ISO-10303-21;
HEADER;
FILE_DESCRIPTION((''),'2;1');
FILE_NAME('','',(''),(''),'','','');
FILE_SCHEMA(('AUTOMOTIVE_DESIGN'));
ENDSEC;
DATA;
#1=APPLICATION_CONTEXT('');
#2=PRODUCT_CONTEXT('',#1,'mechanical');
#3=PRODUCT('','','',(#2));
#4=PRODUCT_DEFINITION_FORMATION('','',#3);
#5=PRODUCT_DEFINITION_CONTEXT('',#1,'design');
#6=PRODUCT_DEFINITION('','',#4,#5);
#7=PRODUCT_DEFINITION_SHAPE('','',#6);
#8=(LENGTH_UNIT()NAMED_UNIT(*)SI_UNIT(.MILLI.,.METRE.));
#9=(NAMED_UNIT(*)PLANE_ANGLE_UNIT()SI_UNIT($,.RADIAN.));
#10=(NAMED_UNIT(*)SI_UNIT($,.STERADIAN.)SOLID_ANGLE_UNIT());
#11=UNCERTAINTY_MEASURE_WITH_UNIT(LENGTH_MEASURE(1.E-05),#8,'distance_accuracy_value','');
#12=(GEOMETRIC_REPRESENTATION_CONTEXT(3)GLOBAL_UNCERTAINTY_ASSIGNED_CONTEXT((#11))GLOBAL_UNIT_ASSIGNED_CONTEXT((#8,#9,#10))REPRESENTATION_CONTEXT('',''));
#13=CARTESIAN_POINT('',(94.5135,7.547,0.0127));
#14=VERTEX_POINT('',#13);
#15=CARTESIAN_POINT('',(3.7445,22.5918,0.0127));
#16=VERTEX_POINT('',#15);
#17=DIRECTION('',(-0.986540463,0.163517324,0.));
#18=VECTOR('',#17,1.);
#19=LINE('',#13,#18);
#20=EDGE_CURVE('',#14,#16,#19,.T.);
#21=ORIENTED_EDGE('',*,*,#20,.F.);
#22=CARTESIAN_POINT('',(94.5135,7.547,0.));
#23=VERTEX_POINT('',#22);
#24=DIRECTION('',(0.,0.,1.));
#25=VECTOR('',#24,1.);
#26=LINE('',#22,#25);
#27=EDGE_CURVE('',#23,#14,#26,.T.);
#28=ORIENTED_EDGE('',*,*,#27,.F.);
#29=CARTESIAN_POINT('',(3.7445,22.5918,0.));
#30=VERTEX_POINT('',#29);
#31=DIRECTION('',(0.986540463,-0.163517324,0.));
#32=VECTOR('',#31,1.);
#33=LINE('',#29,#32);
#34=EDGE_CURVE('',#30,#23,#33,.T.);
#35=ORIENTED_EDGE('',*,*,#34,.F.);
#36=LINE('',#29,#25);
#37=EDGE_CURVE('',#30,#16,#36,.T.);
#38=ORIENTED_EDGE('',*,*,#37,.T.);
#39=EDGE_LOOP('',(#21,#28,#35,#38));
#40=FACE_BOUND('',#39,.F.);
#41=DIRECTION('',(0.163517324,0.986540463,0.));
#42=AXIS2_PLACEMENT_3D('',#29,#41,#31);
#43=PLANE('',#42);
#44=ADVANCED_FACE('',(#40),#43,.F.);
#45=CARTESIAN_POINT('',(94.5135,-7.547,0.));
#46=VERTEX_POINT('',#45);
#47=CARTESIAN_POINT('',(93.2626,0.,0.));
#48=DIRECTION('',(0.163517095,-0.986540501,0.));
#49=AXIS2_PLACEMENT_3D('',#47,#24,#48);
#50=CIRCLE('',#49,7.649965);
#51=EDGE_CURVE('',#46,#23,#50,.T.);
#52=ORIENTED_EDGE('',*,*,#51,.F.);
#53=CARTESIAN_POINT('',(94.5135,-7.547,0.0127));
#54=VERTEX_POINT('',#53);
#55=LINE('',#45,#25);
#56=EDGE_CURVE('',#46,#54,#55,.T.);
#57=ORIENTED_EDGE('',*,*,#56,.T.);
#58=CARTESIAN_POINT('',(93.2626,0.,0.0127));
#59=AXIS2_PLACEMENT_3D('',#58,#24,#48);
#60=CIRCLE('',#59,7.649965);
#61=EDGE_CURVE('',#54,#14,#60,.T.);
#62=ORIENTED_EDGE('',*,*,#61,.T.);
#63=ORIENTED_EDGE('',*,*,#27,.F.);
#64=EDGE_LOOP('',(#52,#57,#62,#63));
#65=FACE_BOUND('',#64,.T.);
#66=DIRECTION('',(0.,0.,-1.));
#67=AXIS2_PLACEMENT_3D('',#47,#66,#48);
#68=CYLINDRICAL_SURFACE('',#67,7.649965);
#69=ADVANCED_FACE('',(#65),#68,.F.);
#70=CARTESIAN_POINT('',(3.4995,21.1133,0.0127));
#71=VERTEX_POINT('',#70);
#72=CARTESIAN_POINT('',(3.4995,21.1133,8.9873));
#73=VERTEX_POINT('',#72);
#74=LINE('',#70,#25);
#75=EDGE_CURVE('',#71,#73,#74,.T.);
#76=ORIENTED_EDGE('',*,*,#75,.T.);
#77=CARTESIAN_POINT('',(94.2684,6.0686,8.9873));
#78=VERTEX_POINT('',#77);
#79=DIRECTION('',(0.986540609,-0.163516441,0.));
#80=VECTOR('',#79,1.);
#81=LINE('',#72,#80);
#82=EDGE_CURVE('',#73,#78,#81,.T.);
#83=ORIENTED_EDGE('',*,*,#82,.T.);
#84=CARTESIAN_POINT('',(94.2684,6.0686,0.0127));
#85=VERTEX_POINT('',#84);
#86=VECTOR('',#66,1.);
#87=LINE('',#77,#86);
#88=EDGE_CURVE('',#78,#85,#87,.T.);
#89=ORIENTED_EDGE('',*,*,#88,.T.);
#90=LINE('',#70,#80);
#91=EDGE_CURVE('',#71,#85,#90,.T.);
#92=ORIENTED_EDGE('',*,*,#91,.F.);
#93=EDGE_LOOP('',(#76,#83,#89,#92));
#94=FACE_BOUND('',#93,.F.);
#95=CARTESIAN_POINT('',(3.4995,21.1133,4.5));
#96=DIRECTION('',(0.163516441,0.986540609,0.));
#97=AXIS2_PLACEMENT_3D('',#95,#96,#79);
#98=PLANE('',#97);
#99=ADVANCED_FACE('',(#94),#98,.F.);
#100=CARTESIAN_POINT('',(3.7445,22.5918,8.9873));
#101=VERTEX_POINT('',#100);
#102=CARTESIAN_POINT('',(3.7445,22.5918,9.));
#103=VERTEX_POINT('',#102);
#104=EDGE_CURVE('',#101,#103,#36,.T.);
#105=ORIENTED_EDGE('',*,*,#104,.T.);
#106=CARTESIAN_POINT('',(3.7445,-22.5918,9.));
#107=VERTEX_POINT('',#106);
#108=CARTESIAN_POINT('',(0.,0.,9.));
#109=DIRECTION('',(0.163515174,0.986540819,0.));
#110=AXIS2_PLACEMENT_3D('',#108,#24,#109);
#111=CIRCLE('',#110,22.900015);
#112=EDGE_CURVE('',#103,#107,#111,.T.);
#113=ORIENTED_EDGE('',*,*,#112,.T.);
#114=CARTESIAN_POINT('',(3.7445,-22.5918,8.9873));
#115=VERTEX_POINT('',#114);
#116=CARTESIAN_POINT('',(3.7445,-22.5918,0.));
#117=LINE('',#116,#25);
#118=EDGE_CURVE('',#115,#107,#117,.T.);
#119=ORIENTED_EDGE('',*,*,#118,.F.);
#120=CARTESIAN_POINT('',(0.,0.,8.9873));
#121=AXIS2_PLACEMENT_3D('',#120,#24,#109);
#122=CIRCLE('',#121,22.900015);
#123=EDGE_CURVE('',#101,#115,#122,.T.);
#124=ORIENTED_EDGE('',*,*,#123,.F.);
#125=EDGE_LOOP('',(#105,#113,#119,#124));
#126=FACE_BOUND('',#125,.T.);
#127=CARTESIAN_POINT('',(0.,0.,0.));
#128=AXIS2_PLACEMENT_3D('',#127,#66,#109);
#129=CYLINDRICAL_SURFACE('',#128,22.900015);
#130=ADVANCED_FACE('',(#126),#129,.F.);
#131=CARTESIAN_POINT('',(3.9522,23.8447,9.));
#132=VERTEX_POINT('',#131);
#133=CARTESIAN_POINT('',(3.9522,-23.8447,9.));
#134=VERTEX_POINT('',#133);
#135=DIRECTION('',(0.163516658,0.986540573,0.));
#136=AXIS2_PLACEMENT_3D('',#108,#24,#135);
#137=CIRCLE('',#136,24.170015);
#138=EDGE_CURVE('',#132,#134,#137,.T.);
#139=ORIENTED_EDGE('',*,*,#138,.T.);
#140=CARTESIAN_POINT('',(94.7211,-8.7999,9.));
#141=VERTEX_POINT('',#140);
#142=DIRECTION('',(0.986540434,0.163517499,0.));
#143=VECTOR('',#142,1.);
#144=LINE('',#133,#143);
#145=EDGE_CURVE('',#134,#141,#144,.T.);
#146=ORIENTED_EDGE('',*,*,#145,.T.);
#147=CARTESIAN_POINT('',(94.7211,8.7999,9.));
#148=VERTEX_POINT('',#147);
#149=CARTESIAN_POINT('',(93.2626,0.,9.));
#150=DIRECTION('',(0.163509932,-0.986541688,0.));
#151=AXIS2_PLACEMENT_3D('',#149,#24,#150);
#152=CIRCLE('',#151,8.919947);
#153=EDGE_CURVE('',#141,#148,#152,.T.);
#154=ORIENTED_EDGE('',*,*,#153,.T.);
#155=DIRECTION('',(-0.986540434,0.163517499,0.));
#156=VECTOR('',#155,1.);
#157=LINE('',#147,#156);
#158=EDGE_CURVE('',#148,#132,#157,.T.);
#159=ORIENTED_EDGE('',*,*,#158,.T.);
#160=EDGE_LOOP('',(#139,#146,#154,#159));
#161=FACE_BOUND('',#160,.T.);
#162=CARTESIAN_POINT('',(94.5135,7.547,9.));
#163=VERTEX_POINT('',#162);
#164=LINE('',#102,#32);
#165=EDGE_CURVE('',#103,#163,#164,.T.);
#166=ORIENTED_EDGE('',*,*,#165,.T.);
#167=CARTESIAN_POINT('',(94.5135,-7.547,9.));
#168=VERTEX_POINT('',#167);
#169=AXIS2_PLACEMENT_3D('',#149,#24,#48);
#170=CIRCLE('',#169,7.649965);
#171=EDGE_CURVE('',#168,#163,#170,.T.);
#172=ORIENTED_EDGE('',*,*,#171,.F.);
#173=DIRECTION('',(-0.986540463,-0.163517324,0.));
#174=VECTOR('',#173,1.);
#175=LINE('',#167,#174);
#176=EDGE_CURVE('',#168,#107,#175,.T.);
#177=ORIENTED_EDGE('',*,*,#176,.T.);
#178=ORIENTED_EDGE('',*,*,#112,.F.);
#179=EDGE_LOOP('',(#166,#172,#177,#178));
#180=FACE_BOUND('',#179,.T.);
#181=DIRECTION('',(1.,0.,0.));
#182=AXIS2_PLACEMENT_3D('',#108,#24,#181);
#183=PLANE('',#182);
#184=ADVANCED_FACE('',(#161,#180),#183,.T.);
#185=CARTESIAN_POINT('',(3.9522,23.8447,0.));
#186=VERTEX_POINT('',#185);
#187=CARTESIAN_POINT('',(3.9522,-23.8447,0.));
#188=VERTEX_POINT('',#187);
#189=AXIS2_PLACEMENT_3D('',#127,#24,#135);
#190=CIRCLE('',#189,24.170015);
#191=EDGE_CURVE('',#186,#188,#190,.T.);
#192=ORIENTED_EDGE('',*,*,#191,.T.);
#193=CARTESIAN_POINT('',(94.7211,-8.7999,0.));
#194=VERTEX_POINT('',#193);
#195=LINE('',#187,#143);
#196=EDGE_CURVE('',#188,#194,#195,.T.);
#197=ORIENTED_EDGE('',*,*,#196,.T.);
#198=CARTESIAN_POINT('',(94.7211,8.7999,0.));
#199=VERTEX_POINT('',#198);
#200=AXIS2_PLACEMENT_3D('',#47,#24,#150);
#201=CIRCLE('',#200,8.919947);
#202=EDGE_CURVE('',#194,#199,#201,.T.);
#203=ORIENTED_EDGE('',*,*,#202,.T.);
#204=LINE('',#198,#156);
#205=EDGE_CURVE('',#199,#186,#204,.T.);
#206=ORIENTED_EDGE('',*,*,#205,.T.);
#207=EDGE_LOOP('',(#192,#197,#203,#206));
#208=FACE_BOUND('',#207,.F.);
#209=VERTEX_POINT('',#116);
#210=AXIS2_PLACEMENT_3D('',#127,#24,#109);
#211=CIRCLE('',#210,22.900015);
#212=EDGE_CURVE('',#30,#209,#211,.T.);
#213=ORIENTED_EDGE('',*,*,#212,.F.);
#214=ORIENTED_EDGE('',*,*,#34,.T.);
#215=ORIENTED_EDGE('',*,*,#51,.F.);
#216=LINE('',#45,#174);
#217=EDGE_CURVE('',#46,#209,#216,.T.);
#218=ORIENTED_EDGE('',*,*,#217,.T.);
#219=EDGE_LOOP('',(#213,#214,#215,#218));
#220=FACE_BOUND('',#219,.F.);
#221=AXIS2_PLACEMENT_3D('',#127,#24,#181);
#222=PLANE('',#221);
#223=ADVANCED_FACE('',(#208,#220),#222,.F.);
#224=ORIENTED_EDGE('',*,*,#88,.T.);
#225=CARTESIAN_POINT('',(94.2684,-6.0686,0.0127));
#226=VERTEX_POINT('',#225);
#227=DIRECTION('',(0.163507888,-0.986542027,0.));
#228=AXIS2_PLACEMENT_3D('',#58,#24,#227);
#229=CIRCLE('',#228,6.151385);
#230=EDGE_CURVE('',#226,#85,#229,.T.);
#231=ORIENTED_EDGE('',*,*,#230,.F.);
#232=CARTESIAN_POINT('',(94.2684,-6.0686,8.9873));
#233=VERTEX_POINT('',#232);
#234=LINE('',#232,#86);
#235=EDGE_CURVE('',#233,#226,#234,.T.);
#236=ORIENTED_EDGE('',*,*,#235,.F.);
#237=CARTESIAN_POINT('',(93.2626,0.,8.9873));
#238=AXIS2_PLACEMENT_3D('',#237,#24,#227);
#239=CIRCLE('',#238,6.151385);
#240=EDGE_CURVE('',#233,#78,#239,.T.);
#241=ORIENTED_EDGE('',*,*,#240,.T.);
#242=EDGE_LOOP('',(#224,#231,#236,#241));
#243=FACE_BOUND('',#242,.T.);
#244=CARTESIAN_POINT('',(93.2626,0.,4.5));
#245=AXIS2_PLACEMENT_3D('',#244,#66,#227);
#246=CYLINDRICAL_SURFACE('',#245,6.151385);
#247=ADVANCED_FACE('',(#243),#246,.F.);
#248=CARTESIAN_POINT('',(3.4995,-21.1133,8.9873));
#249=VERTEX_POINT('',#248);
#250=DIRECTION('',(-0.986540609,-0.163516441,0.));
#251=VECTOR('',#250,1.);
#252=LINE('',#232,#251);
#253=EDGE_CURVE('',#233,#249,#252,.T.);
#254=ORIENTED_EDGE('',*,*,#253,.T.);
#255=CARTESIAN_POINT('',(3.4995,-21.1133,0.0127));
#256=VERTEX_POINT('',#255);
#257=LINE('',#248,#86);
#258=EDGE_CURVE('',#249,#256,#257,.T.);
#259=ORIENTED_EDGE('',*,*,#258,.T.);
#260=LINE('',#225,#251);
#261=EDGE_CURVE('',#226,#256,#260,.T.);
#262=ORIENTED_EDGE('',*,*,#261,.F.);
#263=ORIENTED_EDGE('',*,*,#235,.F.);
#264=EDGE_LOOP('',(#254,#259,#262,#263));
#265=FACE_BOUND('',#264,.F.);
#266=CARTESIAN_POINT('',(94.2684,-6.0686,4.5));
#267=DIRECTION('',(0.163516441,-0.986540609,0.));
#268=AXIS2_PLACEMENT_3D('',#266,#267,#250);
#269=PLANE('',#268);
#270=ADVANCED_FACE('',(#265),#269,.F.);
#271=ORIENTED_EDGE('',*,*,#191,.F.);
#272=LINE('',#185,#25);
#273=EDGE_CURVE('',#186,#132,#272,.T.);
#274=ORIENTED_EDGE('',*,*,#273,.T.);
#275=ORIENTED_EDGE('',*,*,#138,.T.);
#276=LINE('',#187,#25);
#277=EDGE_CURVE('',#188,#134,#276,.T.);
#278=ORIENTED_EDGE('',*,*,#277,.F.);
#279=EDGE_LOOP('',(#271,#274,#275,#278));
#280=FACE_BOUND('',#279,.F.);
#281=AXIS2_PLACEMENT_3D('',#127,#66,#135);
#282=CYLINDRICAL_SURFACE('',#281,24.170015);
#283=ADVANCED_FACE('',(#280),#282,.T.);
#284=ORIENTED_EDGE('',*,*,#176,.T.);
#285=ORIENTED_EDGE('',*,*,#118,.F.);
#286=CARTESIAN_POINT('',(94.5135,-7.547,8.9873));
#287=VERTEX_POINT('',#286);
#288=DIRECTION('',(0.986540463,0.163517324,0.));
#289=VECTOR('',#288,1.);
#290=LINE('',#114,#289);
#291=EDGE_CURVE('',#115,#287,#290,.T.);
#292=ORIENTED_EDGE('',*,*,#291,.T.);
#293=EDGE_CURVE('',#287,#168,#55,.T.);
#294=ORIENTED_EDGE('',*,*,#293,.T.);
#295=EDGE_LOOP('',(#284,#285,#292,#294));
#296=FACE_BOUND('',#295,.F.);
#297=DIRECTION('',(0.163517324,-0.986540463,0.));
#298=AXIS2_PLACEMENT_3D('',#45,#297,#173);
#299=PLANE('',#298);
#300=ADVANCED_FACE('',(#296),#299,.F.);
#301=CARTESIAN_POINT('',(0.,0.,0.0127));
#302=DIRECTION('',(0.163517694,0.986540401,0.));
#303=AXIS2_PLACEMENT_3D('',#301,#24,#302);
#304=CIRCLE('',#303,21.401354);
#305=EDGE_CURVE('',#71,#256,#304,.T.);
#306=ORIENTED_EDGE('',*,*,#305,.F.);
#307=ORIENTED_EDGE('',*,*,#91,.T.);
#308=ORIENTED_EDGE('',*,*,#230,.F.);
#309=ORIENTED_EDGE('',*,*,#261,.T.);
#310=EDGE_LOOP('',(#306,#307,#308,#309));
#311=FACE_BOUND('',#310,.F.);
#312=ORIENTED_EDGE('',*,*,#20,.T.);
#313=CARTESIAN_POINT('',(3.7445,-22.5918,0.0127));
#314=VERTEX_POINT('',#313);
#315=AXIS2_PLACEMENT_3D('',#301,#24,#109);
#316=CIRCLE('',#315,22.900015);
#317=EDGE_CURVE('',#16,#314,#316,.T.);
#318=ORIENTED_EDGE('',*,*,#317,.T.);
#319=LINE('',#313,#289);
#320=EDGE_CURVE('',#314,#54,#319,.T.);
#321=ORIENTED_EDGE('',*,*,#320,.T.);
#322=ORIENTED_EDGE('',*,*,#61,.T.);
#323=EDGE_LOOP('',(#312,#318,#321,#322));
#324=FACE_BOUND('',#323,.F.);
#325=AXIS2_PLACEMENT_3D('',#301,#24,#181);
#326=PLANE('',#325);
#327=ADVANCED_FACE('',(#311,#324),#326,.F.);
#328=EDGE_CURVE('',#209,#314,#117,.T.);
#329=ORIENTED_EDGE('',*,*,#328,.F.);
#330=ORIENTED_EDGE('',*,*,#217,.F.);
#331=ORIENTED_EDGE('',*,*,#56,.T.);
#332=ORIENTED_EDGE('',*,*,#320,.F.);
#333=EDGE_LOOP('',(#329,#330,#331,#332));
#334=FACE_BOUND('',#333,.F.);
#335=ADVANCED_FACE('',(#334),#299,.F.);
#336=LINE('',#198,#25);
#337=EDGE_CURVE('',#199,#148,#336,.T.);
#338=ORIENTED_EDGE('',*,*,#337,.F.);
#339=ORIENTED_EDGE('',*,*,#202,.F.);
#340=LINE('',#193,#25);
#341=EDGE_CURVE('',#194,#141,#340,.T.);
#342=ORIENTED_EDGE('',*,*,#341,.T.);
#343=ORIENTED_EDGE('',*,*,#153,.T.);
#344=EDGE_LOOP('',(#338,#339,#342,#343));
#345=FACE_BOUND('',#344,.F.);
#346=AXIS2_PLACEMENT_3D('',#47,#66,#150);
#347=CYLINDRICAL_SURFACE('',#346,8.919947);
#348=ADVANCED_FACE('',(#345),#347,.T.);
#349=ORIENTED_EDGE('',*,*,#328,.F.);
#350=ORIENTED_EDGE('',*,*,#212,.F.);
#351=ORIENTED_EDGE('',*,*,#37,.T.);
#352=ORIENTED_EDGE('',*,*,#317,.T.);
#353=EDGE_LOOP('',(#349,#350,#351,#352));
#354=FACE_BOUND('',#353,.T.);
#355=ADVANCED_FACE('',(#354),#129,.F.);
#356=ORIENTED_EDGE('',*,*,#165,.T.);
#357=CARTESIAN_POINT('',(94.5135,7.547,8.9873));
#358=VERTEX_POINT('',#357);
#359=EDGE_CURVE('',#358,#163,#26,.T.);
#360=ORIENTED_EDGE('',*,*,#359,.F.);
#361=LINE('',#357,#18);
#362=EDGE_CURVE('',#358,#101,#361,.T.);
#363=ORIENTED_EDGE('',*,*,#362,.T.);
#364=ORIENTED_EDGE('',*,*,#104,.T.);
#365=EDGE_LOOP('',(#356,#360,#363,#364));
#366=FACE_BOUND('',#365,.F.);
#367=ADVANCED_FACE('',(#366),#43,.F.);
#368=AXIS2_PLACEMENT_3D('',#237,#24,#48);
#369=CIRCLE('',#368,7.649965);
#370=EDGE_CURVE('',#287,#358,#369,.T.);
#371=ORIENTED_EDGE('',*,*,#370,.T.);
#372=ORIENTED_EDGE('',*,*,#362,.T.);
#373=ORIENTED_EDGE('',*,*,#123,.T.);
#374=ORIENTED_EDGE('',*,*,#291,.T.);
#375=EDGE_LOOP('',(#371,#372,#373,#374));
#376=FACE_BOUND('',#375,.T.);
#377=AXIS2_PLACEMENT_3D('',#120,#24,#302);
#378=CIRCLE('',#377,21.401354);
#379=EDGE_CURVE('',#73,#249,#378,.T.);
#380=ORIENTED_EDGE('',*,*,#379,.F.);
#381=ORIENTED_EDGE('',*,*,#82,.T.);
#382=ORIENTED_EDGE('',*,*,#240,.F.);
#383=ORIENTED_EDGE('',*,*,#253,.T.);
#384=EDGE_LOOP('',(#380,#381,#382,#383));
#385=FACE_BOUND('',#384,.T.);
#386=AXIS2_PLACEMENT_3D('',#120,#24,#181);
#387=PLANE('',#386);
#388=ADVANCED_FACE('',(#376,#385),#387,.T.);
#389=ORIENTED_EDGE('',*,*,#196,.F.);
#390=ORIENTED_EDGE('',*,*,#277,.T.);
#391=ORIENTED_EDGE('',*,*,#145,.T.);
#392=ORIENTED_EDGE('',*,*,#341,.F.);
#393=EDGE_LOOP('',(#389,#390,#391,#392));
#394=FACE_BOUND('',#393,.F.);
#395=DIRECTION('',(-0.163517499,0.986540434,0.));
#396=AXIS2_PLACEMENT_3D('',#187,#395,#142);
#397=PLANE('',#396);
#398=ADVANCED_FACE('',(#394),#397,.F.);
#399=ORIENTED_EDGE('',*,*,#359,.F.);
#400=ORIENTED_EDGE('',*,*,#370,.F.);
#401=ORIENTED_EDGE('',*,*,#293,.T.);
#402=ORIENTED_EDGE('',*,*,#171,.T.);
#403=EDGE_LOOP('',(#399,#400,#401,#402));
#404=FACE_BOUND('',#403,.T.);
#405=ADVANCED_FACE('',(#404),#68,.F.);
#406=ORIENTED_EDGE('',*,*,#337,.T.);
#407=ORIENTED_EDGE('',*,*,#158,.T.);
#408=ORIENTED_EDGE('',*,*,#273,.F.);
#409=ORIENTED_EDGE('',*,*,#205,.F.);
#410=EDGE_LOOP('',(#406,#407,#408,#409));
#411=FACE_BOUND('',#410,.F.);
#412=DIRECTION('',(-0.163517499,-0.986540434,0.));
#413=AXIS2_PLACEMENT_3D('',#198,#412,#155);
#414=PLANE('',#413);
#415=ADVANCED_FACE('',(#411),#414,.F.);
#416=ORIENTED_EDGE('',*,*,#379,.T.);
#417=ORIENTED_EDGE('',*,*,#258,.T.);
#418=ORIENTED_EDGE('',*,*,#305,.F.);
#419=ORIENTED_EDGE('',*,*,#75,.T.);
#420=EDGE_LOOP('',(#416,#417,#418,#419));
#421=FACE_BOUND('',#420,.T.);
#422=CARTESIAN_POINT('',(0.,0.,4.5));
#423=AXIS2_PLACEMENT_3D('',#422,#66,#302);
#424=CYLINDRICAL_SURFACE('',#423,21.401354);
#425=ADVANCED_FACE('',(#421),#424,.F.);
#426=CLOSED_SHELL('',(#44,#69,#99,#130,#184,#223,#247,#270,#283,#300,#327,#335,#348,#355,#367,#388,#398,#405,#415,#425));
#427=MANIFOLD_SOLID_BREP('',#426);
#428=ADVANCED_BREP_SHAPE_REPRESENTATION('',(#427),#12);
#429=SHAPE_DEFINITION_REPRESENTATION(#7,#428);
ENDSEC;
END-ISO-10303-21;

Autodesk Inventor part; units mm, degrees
ref_plane "YZ Plane" through (0, 0, 0) normal (1, 0, 0) x (0, 1, 0)
ref_plane "XZ Plane" through (0, 0, 0) normal (0, 1, 0) x (-1, 0, 0)
ref_plane "XY Plane" through (0, 0, 0) normal (0, 0, 1) x (1, 0, 0)
sketch "Sketch1" plane through (0, 0, 0) normal (0, 0, 1) x (1, 0, 0)
  line L0 (3.7445, 22.5918) -> (94.5135, 7.547)
  line L1 (94.5135, -7.547) -> (3.7445, -22.5918)
  arc A0 (94.5135, -7.547) -> (94.5135, 7.547) centre (93.2626, 0) ccw
  arc A1 (3.7445, 22.5918) -> (3.7445, -22.5918) centre (0, 0) ccw
  line L2 (94.7211, 8.7999) -> (3.9522, 23.8447)
  arc A2 (3.9522, 23.8447) -> (3.9522, -23.8447) centre (0, 0) ccw
  line L3 (3.9522, -23.8447) -> (94.7211, -8.7999)
  arc A3 (94.7211, -8.7999) -> (94.7211, 8.7999) centre (93.2626, 0) ccw
  dimension "d7" = 1.27
extrude "Extrusion1" add sketch "Sketch1" along normal blind 9
ref_plane "Work Plane1" through (0, 0, 4.5) normal (0, 0, 1) x (1, 0, 0)
sketch "Sketch2" plane through (0, 0, 4.5) normal (0, 0, 1) x (1, 0, 0)
  arc A0 (3.7445, 22.5918) -> (3.7445, -22.5918) centre (0, 0) ccw projected
  line L0 (94.5135, 7.547) -> (3.7445, 22.5918) projected
  arc A1 (94.5135, -7.547) -> (94.5135, 7.547) centre (93.2626, 0) ccw projected
  line L1 (3.7445, -22.5918) -> (94.5135, -7.547) projected
  arc A2 (3.4995, 21.1133) -> (3.4995, -21.1133) centre (0, 0) ccw
  line L2 (3.4995, 21.1133) -> (94.2684, 6.0686)
  arc A3 (94.2684, -6.0686) -> (94.2684, 6.0686) centre (93.2626, 0) ccw
  line L3 (94.2684, -6.0686) -> (3.4995, -21.1133)
  dimension "d11" = 1.4986
extrude "Extrusion2" add sketch "Sketch2" along normal mid plane 8.9746
equation "\"d5\" = 45.8"
equation "\"d6\" = 15.3"
properties part number "285 mm Belt"
